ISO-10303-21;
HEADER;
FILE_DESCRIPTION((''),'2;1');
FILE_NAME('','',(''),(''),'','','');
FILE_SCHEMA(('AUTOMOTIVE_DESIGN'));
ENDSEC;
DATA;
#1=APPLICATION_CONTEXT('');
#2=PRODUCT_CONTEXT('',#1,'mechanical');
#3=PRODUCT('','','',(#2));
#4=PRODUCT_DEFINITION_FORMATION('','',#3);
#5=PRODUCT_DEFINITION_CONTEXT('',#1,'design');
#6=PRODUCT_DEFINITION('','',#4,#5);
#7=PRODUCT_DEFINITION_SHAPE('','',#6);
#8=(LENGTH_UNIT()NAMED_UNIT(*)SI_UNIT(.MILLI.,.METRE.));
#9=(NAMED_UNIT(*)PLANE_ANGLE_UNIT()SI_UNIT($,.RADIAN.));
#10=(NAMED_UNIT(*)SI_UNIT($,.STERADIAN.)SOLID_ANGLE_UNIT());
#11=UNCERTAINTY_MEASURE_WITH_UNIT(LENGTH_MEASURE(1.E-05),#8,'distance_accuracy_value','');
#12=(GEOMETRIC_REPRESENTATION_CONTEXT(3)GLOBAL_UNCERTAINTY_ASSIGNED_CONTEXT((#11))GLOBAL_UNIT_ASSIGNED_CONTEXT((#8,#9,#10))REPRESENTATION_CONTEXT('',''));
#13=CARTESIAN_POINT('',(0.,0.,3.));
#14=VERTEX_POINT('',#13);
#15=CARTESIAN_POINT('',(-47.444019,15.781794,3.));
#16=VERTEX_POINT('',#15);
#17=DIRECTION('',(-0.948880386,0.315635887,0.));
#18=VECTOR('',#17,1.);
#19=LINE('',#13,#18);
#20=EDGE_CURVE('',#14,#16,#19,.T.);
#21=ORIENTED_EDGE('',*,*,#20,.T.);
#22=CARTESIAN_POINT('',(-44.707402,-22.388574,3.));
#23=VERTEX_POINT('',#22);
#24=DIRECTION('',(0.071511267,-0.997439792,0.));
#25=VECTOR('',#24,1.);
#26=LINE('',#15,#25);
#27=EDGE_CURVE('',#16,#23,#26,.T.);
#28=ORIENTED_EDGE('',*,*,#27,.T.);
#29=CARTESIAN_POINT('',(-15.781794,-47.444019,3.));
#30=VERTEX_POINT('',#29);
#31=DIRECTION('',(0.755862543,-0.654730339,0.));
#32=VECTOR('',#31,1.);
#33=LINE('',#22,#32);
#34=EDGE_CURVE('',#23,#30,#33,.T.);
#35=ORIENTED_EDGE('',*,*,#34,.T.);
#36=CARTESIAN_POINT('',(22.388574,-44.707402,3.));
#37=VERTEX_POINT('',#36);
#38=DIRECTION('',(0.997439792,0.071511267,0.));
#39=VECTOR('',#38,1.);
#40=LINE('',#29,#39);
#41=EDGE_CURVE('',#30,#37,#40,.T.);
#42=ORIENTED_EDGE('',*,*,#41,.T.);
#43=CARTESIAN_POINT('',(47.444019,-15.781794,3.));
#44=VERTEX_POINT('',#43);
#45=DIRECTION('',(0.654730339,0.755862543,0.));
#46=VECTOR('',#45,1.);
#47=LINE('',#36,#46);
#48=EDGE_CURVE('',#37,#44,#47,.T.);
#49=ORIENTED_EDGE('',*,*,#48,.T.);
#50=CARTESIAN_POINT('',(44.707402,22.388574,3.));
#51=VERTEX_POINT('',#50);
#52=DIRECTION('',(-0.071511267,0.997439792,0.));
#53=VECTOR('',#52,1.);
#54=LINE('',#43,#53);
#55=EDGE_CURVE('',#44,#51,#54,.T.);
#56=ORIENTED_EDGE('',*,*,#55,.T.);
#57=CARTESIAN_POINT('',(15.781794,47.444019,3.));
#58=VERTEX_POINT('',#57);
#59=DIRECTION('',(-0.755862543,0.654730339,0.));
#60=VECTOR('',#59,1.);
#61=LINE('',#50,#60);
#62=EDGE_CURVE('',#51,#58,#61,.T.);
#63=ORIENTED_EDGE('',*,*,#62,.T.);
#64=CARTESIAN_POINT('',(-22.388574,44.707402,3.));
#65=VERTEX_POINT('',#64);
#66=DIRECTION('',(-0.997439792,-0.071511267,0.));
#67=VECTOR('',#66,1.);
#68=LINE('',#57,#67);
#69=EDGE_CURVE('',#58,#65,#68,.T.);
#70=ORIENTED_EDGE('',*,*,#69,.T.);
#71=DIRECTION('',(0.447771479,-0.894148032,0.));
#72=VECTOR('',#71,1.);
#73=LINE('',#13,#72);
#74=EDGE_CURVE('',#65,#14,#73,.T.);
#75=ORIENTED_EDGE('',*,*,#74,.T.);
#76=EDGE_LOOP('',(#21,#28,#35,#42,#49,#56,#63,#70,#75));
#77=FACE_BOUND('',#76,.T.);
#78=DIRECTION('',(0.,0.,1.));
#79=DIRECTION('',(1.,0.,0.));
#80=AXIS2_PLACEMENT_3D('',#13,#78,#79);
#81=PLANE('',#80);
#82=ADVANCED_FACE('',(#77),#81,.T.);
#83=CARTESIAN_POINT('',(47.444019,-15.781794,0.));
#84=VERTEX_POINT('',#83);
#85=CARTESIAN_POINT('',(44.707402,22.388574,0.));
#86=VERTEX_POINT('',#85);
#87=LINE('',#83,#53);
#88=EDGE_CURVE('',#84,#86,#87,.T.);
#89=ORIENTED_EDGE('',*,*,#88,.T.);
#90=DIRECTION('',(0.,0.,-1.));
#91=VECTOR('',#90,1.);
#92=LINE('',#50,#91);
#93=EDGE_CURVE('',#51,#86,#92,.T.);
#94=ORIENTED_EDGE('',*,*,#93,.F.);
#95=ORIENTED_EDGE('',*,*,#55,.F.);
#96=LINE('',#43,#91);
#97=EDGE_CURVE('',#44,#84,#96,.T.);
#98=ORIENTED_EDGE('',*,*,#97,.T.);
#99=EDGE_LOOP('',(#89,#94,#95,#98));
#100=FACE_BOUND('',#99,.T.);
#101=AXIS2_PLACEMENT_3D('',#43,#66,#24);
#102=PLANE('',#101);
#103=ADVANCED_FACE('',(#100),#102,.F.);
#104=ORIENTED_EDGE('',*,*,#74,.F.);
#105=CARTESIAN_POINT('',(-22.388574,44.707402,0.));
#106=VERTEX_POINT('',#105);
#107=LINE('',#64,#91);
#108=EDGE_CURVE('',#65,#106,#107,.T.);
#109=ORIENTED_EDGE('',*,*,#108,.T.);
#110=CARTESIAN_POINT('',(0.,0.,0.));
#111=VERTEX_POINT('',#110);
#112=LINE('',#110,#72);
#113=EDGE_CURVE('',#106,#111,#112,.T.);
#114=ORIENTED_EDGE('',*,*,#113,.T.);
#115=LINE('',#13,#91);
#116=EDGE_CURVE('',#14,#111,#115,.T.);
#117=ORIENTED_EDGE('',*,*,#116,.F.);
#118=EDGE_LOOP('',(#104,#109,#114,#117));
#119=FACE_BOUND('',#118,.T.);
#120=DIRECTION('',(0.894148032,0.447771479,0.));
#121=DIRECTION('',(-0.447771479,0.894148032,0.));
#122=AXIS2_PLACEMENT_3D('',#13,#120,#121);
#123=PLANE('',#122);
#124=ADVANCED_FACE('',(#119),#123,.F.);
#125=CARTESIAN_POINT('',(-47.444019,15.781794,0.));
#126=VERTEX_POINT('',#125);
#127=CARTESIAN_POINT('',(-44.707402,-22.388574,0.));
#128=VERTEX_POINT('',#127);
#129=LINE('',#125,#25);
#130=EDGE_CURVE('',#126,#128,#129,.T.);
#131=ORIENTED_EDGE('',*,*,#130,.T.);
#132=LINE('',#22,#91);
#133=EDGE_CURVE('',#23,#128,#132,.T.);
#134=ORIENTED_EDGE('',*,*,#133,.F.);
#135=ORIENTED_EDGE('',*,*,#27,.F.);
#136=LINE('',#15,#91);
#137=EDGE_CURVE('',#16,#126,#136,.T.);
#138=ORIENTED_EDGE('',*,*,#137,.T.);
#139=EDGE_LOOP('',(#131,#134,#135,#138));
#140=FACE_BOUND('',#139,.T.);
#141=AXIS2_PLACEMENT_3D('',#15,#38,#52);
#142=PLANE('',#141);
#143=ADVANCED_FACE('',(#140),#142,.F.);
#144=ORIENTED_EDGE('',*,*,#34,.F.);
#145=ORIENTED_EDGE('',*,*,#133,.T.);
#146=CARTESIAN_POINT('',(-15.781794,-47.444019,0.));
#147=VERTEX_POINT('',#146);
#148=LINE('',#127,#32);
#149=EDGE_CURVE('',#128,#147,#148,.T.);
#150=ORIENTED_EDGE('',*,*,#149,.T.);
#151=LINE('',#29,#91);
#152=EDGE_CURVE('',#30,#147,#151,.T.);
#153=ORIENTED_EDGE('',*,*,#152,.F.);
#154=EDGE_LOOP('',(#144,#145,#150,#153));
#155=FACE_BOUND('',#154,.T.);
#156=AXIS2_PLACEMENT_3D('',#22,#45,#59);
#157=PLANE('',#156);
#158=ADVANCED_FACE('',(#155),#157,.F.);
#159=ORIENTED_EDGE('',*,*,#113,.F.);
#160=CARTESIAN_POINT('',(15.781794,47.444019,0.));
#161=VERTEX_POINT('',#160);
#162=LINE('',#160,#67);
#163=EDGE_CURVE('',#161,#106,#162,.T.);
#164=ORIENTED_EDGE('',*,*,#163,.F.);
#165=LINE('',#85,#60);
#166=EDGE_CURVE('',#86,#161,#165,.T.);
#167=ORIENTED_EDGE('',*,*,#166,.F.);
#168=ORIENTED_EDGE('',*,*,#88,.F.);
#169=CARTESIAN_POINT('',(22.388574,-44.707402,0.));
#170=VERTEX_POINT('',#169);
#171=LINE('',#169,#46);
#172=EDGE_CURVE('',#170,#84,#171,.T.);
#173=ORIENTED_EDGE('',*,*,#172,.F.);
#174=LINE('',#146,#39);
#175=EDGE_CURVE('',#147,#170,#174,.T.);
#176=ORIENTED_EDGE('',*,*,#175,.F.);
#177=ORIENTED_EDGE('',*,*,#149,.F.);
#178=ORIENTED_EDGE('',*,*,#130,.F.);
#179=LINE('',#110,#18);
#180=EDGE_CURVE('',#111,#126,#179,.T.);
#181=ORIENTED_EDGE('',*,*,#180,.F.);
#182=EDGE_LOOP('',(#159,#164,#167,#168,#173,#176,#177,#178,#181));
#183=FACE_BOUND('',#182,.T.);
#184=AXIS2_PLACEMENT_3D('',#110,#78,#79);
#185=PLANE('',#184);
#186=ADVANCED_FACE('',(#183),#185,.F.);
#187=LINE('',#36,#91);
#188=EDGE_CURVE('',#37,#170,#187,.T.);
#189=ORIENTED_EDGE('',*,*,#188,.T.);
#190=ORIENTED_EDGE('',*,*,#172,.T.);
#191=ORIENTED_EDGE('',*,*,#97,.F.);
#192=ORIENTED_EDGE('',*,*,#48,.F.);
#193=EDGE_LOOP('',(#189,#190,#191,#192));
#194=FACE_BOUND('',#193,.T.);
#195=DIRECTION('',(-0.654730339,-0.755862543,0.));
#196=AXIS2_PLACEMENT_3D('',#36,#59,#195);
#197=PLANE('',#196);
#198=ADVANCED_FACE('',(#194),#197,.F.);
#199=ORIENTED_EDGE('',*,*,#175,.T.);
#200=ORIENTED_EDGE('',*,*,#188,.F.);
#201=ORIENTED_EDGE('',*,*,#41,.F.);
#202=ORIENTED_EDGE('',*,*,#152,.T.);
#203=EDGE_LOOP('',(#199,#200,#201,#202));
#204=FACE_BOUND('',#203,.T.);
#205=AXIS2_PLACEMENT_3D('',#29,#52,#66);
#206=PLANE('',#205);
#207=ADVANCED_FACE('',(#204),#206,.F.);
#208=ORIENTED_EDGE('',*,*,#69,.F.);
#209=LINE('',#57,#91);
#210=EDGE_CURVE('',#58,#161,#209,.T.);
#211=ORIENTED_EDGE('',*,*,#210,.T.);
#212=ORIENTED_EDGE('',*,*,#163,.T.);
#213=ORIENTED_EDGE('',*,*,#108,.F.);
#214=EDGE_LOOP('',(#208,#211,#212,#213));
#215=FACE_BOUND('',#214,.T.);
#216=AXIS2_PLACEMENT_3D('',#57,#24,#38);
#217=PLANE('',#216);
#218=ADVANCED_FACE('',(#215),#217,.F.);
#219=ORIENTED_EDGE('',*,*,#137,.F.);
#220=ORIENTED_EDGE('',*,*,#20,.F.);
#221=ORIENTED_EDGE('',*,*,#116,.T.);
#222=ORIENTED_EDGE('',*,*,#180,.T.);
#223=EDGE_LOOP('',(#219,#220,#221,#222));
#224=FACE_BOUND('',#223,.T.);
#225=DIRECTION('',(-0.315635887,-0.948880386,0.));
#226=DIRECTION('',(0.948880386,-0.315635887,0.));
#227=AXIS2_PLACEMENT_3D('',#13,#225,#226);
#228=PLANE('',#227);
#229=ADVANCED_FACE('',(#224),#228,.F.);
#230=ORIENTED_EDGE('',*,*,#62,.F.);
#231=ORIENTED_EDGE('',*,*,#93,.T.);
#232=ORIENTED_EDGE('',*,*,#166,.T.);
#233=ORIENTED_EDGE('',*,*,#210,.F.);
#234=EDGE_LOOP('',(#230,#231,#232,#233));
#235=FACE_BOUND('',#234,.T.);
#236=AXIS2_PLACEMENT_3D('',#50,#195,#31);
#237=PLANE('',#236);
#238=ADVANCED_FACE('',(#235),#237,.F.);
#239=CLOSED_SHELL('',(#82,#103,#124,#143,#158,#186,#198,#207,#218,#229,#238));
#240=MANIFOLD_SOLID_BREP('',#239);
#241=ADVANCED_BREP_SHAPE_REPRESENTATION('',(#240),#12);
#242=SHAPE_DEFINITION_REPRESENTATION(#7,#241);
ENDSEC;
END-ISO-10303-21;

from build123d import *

# Parameters (mm, degrees)
BOSS_EXTRUDE2_DEPTH = 3


with BuildPart() as part:
    # Sketch1 → Boss-Extrude2 (new body)
    with BuildSketch(Plane.XY):
        Polygon((0, 0), (-22.388573959, 44.707401581), (15.78179436, 47.444019294), (44.707401581, 22.388573959), (47.444019294, -15.78179436), (22.388573959, -44.707401581), (-15.78179436, -47.444019294), (-44.707401581, -22.388573959), (-47.444019294, 15.78179436), align=None)
    extrude(amount=BOSS_EXTRUDE2_DEPTH)


solid = part.part
